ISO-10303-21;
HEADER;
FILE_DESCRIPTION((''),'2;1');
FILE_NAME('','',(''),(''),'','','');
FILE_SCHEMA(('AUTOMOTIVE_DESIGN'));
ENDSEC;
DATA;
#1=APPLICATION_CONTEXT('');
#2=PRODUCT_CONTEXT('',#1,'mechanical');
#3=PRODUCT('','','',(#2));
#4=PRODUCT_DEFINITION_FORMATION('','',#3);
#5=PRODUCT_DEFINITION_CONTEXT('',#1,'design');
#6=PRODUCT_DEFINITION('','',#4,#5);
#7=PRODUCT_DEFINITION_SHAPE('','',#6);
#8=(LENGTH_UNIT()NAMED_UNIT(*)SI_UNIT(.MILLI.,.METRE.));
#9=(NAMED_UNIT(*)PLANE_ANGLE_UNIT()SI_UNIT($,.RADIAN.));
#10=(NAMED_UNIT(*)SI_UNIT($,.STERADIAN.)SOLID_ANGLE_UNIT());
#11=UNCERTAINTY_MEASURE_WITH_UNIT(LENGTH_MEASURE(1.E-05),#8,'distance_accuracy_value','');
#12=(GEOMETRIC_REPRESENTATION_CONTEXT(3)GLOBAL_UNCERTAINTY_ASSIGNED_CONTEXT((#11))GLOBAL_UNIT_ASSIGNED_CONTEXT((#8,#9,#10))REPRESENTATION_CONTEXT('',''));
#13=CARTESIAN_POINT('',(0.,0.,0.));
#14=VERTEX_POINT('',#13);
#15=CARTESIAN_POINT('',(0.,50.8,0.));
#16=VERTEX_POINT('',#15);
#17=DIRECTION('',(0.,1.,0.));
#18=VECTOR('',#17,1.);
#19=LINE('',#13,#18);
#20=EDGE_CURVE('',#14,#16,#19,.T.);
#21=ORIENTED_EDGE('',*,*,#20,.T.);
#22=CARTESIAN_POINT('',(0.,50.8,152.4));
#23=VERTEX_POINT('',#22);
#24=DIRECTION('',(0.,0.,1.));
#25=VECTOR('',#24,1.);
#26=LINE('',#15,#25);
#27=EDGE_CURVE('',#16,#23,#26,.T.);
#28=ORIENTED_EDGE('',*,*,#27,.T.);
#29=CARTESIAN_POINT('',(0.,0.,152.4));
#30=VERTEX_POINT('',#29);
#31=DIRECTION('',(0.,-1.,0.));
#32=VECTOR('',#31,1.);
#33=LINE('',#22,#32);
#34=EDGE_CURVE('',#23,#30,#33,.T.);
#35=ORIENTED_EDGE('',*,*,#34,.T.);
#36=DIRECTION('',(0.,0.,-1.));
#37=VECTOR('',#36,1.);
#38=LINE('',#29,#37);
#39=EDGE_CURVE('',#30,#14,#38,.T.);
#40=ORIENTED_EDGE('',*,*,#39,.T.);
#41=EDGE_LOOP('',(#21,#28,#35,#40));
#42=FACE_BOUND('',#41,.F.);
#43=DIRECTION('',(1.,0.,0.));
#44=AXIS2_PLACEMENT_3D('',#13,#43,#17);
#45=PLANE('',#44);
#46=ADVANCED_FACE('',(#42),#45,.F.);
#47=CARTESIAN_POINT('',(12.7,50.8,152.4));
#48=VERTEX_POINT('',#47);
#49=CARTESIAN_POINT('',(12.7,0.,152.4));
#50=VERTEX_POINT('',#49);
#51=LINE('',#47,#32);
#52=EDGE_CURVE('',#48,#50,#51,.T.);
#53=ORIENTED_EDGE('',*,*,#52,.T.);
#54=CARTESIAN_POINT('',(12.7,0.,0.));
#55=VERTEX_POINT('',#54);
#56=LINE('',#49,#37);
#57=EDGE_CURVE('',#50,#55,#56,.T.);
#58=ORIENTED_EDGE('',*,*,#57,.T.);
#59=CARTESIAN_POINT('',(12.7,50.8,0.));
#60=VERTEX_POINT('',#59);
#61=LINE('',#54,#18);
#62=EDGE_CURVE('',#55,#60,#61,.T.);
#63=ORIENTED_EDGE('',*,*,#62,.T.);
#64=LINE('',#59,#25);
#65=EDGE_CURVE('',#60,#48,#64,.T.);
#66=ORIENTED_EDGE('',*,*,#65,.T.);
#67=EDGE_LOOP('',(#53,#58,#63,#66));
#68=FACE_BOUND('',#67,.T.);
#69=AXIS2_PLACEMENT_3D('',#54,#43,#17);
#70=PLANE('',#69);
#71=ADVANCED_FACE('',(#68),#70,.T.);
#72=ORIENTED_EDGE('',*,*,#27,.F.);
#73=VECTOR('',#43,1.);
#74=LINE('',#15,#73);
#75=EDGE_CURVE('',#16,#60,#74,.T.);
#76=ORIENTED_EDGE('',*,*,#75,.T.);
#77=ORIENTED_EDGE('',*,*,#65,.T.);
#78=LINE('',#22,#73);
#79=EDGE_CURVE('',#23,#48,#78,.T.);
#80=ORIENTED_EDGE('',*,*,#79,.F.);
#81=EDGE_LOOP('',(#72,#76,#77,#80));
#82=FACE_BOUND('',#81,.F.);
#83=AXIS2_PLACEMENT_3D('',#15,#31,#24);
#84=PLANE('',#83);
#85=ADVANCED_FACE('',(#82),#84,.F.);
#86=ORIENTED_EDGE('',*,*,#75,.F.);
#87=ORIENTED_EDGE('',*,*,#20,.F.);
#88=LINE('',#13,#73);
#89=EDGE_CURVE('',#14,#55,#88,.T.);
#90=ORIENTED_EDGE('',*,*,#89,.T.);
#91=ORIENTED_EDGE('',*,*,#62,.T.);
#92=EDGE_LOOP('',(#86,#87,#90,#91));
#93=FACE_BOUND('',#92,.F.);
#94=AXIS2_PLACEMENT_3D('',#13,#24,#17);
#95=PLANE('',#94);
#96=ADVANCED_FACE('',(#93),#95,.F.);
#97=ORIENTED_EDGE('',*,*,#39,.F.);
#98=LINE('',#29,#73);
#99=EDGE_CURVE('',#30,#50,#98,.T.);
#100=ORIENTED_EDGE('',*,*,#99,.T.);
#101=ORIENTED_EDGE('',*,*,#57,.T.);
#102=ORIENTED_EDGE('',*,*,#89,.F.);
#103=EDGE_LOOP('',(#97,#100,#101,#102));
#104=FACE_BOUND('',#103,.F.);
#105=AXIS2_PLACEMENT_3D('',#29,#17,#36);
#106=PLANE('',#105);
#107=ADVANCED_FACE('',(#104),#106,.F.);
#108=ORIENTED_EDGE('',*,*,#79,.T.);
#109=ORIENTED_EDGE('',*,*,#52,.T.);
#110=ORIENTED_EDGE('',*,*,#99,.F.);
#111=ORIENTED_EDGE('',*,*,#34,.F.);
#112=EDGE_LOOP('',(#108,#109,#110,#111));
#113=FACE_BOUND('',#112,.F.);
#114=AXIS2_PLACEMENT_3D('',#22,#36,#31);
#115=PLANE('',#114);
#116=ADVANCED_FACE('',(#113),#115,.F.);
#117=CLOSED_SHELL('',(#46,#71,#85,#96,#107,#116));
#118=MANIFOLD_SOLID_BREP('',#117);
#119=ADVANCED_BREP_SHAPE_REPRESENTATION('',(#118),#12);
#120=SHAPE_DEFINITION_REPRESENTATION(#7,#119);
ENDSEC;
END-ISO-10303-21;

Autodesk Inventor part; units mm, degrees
ref_plane "YZ Plane" through (0, 0, 0) normal (1, 0, 0) x (0, 1, 0)
ref_plane "XZ Plane" through (0, 0, 0) normal (0, 1, 0) x (-1, 0, 0)
ref_plane "XY Plane" through (0, 0, 0) normal (0, 0, 1) x (1, 0, 0)
sketch "Sketch1" plane through (0, 0, 0) normal (1, 0, 0) x (0, 1, 0)
  line L0 (0, 0) -> (50.8, 0)
  line L1 (50.8, 0) -> (50.8, 152.4)
  line L2 (50.8, 152.4) -> (0, 152.4)
  line L3 (0, 152.4) -> (0, 0)
  dimension "d0" = 50.8
  dimension "d1" = 152.4
extrude "Extrusion1" add sketch "Sketch1" along normal blind 12.7
properties part number "tank-guide" material "Wood (Cherry)"
